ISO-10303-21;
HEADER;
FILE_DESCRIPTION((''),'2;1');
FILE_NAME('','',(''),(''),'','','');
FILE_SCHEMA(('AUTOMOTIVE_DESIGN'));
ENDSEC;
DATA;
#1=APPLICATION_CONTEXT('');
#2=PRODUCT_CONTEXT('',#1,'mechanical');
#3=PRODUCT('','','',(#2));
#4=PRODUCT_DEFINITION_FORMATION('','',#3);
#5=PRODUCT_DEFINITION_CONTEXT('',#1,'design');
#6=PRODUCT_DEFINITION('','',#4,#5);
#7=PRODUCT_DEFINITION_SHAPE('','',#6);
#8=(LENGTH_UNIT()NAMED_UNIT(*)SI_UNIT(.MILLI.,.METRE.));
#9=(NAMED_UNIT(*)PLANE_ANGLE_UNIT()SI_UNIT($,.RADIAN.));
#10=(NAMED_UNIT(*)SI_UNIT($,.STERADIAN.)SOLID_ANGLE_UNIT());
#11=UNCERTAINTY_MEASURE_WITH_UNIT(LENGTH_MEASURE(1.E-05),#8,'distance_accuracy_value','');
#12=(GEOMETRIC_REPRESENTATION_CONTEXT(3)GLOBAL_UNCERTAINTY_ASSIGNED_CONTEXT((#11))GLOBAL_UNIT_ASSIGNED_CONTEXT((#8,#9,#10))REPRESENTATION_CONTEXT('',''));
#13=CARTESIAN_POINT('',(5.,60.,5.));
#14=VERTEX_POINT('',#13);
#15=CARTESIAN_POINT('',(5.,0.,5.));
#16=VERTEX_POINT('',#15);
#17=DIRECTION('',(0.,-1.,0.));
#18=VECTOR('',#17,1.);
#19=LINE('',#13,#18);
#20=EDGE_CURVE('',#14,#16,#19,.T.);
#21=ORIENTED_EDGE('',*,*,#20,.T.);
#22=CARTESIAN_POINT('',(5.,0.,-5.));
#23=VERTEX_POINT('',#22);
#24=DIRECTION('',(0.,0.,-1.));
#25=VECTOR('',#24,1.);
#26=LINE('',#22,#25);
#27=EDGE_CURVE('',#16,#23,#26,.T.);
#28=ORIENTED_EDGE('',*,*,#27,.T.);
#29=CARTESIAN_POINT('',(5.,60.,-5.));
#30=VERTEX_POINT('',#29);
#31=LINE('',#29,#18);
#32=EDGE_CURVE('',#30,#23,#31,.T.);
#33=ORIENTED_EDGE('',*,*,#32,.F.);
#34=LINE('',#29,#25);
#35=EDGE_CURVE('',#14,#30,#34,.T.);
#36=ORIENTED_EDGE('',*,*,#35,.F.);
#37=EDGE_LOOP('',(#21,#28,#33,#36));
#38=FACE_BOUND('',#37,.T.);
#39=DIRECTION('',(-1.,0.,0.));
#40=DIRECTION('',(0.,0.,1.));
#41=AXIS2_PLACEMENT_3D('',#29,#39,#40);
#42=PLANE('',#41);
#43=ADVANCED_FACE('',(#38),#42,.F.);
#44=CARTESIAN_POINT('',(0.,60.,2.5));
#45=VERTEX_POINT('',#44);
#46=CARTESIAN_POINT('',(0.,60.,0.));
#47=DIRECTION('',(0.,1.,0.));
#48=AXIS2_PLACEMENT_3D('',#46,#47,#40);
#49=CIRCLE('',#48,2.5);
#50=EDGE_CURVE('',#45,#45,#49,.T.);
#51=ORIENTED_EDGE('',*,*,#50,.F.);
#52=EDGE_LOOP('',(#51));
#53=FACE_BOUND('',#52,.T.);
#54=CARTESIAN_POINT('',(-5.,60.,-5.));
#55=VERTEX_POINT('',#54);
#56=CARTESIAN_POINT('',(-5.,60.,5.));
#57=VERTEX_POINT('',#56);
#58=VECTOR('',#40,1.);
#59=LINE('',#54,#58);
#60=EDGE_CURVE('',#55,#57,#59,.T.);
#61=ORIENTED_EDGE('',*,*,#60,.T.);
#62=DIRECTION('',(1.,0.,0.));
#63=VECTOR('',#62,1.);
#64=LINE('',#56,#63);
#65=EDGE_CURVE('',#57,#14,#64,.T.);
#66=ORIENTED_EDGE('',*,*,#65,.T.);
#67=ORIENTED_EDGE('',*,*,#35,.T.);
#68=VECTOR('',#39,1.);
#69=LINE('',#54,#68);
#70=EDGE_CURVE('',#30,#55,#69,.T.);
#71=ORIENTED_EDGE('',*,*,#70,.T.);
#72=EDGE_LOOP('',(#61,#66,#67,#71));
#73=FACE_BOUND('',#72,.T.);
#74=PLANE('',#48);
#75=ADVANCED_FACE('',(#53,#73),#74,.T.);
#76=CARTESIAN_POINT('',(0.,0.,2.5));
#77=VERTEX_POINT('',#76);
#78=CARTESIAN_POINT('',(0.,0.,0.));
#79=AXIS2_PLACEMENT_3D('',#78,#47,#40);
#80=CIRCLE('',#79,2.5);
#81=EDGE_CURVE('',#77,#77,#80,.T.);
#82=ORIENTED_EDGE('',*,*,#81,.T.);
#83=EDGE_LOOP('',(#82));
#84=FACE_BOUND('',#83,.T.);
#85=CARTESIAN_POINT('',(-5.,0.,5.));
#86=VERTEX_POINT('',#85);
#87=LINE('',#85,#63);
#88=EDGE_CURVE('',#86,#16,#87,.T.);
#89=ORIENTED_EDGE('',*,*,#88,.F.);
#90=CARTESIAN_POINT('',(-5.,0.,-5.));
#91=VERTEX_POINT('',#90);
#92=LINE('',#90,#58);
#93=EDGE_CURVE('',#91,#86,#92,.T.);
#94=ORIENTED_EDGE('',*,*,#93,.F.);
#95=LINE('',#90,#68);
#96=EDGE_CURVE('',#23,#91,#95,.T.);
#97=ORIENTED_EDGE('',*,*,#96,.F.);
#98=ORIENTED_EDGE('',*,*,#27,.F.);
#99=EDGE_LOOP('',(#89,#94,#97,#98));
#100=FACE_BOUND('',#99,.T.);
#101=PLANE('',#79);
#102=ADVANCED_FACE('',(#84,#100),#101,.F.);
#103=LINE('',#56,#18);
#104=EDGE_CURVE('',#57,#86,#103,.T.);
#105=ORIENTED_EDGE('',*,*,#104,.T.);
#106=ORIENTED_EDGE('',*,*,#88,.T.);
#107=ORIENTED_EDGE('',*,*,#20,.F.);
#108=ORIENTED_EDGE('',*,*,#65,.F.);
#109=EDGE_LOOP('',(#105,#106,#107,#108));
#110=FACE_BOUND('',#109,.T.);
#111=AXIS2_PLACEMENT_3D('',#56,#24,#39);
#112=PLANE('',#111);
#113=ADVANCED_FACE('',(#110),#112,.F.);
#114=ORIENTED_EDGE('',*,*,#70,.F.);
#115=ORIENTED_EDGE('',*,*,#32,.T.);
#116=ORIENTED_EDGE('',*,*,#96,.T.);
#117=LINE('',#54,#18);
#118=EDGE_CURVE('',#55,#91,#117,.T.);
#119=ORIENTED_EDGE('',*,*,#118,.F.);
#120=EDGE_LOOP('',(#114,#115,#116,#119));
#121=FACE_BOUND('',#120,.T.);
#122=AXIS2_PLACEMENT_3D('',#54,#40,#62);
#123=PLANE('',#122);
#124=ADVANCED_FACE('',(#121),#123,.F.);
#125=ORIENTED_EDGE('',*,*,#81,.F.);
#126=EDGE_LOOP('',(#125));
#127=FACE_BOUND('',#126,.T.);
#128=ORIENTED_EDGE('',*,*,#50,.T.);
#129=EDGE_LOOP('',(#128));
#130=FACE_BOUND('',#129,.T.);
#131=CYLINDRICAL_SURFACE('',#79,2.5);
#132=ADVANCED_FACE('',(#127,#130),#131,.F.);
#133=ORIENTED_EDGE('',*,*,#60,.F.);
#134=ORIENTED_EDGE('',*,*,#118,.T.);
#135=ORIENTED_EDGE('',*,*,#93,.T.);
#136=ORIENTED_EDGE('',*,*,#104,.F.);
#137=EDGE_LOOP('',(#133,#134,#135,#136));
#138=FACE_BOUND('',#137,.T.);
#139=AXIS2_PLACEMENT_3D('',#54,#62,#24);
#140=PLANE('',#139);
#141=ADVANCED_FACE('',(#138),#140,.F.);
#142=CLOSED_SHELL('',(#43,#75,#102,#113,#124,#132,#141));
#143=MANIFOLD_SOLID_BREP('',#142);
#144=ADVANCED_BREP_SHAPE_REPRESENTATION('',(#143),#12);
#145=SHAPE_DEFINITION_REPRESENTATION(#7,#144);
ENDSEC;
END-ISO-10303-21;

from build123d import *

# Parameters (mm, degrees)
SKETCH1_W           = 10
SKETCH1_H           = 10
BOSS_EXTRUDE1_DEPTH = 60
SKETCH2_R           = 2.5
CUT_EXTRUDE1_DEPTH  = 61.415229868


with BuildPart() as part:
    # Sketch1 → Boss-Extrude1 (new body)
    with BuildSketch(Plane(origin=(0, 0, 0), x_dir=(1, 0, 0), z_dir=(0, 1, 0))):
        Rectangle(SKETCH1_W, SKETCH1_H)
    extrude(amount=BOSS_EXTRUDE1_DEPTH)

    # Sketch2 → Cut-Extrude1 (cut, through all)
    with BuildSketch(Plane(origin=(0, 60, 0), x_dir=(1, 0, 0), z_dir=(0, 1, 0))):
        with Locations(Location((0, 0, 0), (0, 0, 270))):
            Circle(SKETCH2_R)
    extrude(amount=-CUT_EXTRUDE1_DEPTH, mode=Mode.SUBTRACT)


solid = part.part
